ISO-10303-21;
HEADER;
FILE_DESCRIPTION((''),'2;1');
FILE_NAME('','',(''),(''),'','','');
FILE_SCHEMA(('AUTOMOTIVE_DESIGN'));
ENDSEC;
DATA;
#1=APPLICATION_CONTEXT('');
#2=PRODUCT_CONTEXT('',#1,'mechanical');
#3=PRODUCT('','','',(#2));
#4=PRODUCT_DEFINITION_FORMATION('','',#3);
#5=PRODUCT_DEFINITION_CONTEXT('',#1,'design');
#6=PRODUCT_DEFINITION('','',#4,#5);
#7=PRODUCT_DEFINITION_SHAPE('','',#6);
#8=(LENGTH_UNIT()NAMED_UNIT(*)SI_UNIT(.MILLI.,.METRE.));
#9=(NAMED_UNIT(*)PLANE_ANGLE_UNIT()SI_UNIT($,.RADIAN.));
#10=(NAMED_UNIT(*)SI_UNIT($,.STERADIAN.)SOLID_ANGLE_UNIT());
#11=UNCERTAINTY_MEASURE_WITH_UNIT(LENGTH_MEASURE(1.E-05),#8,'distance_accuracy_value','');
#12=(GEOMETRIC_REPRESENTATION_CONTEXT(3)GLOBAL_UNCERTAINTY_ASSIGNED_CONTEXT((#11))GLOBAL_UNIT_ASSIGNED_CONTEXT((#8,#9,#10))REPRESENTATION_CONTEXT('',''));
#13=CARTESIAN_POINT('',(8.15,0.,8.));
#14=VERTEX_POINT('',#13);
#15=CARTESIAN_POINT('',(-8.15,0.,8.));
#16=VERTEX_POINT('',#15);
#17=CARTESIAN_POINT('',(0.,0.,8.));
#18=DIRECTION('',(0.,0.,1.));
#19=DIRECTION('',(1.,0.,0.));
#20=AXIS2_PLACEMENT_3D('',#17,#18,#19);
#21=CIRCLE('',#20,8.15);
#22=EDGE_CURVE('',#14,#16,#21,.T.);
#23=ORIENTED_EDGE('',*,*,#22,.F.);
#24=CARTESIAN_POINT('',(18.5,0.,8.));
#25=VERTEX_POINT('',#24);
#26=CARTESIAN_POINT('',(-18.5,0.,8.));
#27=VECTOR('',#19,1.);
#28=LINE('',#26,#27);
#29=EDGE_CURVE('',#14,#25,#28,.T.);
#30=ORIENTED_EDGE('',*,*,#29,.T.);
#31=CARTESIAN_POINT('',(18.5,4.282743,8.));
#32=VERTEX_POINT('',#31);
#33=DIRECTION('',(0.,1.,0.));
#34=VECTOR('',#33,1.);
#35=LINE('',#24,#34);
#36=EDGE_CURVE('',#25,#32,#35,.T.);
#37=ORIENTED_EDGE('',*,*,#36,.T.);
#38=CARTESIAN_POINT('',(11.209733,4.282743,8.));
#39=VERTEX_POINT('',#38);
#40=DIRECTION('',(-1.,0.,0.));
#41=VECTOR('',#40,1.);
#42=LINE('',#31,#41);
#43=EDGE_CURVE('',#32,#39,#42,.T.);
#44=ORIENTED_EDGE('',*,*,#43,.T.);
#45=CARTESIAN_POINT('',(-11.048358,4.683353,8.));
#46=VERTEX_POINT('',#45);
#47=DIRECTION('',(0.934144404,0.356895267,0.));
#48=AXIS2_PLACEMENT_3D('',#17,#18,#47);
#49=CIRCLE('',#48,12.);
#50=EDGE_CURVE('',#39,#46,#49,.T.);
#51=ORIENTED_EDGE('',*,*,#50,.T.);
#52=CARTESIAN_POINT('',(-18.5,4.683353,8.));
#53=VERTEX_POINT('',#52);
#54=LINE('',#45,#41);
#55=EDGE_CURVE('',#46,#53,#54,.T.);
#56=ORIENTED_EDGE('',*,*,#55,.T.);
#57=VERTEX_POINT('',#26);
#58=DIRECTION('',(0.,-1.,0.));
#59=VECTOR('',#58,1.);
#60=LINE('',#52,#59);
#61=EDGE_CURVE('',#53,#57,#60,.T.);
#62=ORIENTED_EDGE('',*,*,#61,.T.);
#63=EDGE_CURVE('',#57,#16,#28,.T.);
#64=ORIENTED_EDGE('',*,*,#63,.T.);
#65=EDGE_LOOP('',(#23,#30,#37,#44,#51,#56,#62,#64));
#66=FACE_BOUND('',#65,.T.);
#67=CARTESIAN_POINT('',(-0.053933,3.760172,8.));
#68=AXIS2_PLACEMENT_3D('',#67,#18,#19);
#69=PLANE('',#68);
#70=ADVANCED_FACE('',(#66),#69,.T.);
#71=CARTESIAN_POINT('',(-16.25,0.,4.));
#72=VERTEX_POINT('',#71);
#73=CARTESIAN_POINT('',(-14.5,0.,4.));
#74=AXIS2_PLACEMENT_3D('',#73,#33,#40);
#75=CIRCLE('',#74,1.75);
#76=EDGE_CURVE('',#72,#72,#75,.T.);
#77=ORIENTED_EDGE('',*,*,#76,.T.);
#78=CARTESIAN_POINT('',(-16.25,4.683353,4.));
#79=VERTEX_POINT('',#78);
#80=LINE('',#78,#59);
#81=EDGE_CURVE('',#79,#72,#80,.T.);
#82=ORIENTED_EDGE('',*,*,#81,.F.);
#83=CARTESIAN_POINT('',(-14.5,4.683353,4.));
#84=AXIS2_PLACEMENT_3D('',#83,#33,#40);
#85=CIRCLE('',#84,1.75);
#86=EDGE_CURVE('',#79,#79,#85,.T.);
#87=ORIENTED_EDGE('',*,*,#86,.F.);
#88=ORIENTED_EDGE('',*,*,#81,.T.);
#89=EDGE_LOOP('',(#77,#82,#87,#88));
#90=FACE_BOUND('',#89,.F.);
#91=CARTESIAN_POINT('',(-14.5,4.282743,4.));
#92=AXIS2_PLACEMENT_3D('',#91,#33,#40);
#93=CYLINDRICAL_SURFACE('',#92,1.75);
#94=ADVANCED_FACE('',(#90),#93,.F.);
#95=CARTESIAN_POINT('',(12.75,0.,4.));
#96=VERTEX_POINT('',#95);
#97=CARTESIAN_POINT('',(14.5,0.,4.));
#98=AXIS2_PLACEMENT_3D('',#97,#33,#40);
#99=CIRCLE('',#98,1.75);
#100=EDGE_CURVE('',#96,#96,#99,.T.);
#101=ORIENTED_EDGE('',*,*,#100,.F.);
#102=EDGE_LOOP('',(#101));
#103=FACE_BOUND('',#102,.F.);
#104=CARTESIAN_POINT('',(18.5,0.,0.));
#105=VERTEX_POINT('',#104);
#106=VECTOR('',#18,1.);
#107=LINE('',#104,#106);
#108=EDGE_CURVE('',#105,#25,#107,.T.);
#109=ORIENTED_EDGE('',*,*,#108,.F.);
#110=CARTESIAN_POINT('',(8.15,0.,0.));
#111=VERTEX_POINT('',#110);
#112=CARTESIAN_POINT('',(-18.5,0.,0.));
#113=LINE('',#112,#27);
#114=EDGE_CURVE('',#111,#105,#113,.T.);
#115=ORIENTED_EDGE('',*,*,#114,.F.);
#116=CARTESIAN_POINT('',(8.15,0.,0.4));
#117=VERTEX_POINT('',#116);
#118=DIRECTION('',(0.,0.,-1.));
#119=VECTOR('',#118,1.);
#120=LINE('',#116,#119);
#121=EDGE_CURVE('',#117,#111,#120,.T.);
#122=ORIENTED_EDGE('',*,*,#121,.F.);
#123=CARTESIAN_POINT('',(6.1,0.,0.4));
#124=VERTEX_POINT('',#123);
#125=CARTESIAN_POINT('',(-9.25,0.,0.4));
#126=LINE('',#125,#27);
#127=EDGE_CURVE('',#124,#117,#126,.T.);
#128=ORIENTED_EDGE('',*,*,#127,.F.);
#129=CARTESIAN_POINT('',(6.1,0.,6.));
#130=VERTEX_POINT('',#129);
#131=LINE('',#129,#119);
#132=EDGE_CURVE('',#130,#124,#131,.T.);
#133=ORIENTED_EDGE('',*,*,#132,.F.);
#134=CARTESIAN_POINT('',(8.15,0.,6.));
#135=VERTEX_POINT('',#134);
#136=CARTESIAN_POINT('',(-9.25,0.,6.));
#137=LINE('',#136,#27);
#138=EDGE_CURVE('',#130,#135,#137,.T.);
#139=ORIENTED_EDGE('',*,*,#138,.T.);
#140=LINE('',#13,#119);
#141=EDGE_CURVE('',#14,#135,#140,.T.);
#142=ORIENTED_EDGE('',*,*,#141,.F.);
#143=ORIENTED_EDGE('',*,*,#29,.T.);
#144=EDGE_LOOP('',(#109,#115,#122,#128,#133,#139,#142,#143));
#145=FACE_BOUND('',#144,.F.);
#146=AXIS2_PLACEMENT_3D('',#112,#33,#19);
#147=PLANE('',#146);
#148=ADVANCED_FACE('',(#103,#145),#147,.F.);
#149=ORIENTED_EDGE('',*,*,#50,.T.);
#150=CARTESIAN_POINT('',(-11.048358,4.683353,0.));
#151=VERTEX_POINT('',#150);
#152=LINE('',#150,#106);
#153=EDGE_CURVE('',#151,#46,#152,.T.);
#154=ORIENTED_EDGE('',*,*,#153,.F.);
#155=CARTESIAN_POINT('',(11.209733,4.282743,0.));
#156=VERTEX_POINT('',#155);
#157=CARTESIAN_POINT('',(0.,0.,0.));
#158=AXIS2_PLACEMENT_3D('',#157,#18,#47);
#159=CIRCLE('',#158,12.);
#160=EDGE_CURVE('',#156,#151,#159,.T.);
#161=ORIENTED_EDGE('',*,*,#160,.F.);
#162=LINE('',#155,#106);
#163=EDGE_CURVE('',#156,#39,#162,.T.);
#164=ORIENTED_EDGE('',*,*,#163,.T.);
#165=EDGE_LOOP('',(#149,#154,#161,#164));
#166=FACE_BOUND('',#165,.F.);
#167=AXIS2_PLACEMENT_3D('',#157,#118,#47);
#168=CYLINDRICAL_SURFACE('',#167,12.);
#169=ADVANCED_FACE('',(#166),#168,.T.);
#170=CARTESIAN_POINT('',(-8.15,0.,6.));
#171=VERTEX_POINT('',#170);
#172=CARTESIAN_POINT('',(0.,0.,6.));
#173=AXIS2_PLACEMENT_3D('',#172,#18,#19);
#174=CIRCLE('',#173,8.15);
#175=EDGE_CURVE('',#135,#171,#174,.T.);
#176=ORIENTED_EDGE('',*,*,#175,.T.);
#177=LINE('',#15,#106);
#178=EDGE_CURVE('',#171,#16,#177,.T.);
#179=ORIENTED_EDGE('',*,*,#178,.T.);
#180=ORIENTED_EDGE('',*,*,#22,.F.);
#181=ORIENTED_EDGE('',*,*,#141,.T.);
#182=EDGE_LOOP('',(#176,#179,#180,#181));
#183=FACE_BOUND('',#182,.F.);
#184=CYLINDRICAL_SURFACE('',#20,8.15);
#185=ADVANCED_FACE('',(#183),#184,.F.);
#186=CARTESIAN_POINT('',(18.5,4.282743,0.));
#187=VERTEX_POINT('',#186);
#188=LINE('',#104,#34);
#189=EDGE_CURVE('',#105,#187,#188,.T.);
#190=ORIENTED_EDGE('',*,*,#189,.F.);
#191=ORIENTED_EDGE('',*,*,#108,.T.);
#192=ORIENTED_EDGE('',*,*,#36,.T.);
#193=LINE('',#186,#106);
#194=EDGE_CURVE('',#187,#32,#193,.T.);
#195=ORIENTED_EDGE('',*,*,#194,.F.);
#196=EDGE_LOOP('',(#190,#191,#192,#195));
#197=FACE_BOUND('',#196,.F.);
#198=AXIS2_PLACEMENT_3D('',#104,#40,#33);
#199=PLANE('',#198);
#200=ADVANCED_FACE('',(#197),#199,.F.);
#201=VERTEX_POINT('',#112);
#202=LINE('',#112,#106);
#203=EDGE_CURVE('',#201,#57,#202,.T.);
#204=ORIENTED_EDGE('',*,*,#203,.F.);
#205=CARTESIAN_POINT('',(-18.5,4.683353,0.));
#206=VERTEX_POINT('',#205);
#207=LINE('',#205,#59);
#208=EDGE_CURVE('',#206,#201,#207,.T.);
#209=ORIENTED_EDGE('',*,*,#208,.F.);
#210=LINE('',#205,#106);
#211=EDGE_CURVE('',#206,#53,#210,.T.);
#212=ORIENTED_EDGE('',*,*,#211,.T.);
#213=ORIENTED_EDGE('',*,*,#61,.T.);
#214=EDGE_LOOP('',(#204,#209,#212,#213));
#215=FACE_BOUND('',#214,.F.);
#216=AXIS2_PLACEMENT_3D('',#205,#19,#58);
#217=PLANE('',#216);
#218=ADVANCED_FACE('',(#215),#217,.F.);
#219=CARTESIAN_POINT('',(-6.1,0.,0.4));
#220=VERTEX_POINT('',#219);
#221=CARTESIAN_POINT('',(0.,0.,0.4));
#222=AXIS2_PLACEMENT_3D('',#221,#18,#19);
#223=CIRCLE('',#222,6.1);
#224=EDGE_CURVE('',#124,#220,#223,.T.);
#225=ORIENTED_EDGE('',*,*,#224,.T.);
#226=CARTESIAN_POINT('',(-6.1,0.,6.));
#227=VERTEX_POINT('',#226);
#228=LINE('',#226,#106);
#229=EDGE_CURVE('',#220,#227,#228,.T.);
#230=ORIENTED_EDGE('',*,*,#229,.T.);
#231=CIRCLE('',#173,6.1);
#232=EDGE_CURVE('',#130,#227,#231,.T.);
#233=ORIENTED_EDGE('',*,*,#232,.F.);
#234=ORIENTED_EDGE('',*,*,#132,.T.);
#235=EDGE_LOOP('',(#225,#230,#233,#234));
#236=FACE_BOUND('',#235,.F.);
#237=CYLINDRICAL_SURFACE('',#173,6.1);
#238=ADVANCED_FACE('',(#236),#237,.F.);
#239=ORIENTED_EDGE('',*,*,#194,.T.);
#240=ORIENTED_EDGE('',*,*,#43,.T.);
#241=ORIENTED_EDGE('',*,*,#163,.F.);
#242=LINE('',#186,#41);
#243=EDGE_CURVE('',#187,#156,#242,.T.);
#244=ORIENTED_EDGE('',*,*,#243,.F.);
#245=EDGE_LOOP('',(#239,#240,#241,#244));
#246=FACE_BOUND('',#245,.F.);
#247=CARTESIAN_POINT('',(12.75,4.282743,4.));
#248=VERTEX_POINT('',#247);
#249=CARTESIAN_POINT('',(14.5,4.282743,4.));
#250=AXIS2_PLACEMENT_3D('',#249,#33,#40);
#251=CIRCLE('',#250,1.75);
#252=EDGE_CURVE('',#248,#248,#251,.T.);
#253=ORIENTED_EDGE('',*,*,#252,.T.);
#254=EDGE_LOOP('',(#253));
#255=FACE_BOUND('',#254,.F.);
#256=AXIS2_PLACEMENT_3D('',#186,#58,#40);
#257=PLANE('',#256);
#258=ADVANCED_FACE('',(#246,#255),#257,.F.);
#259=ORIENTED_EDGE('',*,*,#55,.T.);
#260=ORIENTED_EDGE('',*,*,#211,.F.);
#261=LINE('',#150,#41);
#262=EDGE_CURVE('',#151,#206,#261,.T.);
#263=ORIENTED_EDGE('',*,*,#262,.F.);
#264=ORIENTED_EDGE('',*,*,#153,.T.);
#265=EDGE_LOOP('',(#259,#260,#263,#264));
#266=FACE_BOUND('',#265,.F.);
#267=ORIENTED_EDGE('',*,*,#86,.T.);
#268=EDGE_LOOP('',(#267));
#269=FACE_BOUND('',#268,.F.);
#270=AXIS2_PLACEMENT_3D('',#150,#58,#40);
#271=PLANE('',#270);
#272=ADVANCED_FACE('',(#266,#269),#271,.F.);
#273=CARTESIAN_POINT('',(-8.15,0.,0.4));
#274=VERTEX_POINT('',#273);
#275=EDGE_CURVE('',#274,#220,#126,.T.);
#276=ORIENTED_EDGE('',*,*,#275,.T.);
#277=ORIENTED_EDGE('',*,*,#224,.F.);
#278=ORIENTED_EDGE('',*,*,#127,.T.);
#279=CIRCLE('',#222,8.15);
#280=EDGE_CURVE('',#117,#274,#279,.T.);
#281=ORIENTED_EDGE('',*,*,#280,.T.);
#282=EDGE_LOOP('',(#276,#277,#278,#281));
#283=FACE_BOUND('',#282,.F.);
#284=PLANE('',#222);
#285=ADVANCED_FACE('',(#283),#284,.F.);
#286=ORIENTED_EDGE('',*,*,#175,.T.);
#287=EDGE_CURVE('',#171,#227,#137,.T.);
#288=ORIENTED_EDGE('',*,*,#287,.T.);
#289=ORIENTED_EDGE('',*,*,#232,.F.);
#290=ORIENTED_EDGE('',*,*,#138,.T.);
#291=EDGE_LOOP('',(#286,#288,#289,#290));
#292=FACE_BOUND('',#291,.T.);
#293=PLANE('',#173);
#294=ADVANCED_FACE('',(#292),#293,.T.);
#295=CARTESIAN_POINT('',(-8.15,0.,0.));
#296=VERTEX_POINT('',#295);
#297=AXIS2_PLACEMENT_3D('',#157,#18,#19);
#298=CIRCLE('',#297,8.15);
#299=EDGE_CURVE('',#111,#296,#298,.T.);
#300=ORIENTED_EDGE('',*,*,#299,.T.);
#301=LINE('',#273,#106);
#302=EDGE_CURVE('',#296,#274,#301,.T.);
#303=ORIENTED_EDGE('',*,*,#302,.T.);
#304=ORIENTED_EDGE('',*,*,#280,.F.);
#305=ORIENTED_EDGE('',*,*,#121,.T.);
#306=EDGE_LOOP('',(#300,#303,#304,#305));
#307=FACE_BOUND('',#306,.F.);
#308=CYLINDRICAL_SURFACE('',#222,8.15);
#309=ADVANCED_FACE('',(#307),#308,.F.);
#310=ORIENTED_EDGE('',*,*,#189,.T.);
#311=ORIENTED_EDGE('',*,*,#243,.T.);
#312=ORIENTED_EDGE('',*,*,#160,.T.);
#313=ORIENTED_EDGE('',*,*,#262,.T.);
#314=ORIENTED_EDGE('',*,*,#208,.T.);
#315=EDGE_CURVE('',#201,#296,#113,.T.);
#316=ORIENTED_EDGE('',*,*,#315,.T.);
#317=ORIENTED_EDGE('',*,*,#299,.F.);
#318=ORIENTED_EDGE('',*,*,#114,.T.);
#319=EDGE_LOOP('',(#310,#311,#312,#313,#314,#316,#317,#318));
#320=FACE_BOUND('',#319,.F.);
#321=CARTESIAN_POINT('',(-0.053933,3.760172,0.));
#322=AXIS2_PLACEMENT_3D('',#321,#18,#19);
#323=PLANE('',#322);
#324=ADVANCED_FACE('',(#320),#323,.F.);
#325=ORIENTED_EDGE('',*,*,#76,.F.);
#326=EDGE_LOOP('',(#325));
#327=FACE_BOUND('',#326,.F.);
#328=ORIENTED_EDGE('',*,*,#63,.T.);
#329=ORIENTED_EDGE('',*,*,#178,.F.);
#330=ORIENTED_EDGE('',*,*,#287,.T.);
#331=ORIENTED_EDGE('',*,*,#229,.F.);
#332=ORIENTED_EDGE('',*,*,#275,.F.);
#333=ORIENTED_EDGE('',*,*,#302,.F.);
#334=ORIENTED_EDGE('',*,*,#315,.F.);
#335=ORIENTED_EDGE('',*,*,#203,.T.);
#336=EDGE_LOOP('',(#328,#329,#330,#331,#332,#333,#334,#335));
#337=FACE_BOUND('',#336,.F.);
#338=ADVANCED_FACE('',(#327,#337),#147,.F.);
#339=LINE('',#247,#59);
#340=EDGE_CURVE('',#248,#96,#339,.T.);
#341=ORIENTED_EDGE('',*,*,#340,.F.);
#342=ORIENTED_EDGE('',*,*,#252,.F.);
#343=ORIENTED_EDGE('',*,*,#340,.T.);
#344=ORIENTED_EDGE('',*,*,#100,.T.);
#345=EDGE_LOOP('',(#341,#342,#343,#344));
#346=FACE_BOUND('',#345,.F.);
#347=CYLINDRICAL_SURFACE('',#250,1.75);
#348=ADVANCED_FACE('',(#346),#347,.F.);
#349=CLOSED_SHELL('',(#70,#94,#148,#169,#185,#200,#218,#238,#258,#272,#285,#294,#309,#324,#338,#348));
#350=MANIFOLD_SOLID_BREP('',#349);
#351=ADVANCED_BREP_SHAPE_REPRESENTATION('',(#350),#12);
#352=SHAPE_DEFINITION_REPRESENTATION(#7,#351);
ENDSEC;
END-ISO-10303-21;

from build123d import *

# Parameters (mm, degrees)
F1_DEPTH  = 8
F2_R      = 1.75
F3_DEPTH  = 4.2837432044
F4_R      = 1.75
F5_DEPTH  = 25
F6_R      = 8.15
F7_DEPTH  = 2
F8_R      = 6.1
F9_DEPTH  = 5.6
F10_R     = 8.15
F11_DEPTH = 25


with BuildPart() as f1:
    # F0 (on Top) → F1 (new body)
    with BuildSketch(Plane.XY):
        with BuildLine():
            Line((18.5, 4.2827432044), (11.2097328534, 4.2827432044))
            ThreePointArc((11.2097328534, 4.2827432044), (0.2159454588, 11.9980568243), (-11.0483577501, 4.6833525412))
            Line((-11.0483577501, 4.6833525412), (-18.5, 4.6833525412))
            Line((-18.5, 4.6833525412), (-18.5, 0))
            Line((-18.5, 0), (-12, 0))
            Line((-12, 0), (12, 0))
            Line((12, 0), (18.5, 0))
            Line((18.5, 0), (18.5, 4.2827432044))
        make_face()
    extrude(amount=F1_DEPTH)

    # F2 (on face) → F3 (cut, through all)
    with BuildSketch(Plane(origin=(0, 4.2827432044, 0), x_dir=(-1, 0, 0), z_dir=(0, 1, 0))):
        with Locations((-14.5, 4)):
            Circle(F2_R)
        with Locations((14.5, 4)):
            Circle(F2_R)
    extrude(amount=-F3_DEPTH, mode=Mode.SUBTRACT)

    # F4 (on face) → F5 (cut)
    with BuildSketch(Plane(origin=(0, 4.6833525412, 0), x_dir=(-1, 0, 0), z_dir=(0, 1, 0))):
        with Locations((14.5, 4)):
            Circle(F4_R)
    extrude(amount=-F5_DEPTH, mode=Mode.SUBTRACT)

    # F6 (on face) → F7 (cut)
    with BuildSketch(Plane.XY.offset(8)):
        Circle(F6_R)
    extrude(amount=-F7_DEPTH, mode=Mode.SUBTRACT)

    # F8 (on face) → F9 (cut)
    with BuildSketch(Plane.XY.offset(6)):
        Circle(F8_R)
    extrude(amount=-F9_DEPTH, mode=Mode.SUBTRACT)

    # F10 (on face) → F11 (cut)
    with BuildSketch(Plane.XY.offset(0.4)):
        Circle(F10_R)
    extrude(amount=-F11_DEPTH, mode=Mode.SUBTRACT)


solid = f1.part
